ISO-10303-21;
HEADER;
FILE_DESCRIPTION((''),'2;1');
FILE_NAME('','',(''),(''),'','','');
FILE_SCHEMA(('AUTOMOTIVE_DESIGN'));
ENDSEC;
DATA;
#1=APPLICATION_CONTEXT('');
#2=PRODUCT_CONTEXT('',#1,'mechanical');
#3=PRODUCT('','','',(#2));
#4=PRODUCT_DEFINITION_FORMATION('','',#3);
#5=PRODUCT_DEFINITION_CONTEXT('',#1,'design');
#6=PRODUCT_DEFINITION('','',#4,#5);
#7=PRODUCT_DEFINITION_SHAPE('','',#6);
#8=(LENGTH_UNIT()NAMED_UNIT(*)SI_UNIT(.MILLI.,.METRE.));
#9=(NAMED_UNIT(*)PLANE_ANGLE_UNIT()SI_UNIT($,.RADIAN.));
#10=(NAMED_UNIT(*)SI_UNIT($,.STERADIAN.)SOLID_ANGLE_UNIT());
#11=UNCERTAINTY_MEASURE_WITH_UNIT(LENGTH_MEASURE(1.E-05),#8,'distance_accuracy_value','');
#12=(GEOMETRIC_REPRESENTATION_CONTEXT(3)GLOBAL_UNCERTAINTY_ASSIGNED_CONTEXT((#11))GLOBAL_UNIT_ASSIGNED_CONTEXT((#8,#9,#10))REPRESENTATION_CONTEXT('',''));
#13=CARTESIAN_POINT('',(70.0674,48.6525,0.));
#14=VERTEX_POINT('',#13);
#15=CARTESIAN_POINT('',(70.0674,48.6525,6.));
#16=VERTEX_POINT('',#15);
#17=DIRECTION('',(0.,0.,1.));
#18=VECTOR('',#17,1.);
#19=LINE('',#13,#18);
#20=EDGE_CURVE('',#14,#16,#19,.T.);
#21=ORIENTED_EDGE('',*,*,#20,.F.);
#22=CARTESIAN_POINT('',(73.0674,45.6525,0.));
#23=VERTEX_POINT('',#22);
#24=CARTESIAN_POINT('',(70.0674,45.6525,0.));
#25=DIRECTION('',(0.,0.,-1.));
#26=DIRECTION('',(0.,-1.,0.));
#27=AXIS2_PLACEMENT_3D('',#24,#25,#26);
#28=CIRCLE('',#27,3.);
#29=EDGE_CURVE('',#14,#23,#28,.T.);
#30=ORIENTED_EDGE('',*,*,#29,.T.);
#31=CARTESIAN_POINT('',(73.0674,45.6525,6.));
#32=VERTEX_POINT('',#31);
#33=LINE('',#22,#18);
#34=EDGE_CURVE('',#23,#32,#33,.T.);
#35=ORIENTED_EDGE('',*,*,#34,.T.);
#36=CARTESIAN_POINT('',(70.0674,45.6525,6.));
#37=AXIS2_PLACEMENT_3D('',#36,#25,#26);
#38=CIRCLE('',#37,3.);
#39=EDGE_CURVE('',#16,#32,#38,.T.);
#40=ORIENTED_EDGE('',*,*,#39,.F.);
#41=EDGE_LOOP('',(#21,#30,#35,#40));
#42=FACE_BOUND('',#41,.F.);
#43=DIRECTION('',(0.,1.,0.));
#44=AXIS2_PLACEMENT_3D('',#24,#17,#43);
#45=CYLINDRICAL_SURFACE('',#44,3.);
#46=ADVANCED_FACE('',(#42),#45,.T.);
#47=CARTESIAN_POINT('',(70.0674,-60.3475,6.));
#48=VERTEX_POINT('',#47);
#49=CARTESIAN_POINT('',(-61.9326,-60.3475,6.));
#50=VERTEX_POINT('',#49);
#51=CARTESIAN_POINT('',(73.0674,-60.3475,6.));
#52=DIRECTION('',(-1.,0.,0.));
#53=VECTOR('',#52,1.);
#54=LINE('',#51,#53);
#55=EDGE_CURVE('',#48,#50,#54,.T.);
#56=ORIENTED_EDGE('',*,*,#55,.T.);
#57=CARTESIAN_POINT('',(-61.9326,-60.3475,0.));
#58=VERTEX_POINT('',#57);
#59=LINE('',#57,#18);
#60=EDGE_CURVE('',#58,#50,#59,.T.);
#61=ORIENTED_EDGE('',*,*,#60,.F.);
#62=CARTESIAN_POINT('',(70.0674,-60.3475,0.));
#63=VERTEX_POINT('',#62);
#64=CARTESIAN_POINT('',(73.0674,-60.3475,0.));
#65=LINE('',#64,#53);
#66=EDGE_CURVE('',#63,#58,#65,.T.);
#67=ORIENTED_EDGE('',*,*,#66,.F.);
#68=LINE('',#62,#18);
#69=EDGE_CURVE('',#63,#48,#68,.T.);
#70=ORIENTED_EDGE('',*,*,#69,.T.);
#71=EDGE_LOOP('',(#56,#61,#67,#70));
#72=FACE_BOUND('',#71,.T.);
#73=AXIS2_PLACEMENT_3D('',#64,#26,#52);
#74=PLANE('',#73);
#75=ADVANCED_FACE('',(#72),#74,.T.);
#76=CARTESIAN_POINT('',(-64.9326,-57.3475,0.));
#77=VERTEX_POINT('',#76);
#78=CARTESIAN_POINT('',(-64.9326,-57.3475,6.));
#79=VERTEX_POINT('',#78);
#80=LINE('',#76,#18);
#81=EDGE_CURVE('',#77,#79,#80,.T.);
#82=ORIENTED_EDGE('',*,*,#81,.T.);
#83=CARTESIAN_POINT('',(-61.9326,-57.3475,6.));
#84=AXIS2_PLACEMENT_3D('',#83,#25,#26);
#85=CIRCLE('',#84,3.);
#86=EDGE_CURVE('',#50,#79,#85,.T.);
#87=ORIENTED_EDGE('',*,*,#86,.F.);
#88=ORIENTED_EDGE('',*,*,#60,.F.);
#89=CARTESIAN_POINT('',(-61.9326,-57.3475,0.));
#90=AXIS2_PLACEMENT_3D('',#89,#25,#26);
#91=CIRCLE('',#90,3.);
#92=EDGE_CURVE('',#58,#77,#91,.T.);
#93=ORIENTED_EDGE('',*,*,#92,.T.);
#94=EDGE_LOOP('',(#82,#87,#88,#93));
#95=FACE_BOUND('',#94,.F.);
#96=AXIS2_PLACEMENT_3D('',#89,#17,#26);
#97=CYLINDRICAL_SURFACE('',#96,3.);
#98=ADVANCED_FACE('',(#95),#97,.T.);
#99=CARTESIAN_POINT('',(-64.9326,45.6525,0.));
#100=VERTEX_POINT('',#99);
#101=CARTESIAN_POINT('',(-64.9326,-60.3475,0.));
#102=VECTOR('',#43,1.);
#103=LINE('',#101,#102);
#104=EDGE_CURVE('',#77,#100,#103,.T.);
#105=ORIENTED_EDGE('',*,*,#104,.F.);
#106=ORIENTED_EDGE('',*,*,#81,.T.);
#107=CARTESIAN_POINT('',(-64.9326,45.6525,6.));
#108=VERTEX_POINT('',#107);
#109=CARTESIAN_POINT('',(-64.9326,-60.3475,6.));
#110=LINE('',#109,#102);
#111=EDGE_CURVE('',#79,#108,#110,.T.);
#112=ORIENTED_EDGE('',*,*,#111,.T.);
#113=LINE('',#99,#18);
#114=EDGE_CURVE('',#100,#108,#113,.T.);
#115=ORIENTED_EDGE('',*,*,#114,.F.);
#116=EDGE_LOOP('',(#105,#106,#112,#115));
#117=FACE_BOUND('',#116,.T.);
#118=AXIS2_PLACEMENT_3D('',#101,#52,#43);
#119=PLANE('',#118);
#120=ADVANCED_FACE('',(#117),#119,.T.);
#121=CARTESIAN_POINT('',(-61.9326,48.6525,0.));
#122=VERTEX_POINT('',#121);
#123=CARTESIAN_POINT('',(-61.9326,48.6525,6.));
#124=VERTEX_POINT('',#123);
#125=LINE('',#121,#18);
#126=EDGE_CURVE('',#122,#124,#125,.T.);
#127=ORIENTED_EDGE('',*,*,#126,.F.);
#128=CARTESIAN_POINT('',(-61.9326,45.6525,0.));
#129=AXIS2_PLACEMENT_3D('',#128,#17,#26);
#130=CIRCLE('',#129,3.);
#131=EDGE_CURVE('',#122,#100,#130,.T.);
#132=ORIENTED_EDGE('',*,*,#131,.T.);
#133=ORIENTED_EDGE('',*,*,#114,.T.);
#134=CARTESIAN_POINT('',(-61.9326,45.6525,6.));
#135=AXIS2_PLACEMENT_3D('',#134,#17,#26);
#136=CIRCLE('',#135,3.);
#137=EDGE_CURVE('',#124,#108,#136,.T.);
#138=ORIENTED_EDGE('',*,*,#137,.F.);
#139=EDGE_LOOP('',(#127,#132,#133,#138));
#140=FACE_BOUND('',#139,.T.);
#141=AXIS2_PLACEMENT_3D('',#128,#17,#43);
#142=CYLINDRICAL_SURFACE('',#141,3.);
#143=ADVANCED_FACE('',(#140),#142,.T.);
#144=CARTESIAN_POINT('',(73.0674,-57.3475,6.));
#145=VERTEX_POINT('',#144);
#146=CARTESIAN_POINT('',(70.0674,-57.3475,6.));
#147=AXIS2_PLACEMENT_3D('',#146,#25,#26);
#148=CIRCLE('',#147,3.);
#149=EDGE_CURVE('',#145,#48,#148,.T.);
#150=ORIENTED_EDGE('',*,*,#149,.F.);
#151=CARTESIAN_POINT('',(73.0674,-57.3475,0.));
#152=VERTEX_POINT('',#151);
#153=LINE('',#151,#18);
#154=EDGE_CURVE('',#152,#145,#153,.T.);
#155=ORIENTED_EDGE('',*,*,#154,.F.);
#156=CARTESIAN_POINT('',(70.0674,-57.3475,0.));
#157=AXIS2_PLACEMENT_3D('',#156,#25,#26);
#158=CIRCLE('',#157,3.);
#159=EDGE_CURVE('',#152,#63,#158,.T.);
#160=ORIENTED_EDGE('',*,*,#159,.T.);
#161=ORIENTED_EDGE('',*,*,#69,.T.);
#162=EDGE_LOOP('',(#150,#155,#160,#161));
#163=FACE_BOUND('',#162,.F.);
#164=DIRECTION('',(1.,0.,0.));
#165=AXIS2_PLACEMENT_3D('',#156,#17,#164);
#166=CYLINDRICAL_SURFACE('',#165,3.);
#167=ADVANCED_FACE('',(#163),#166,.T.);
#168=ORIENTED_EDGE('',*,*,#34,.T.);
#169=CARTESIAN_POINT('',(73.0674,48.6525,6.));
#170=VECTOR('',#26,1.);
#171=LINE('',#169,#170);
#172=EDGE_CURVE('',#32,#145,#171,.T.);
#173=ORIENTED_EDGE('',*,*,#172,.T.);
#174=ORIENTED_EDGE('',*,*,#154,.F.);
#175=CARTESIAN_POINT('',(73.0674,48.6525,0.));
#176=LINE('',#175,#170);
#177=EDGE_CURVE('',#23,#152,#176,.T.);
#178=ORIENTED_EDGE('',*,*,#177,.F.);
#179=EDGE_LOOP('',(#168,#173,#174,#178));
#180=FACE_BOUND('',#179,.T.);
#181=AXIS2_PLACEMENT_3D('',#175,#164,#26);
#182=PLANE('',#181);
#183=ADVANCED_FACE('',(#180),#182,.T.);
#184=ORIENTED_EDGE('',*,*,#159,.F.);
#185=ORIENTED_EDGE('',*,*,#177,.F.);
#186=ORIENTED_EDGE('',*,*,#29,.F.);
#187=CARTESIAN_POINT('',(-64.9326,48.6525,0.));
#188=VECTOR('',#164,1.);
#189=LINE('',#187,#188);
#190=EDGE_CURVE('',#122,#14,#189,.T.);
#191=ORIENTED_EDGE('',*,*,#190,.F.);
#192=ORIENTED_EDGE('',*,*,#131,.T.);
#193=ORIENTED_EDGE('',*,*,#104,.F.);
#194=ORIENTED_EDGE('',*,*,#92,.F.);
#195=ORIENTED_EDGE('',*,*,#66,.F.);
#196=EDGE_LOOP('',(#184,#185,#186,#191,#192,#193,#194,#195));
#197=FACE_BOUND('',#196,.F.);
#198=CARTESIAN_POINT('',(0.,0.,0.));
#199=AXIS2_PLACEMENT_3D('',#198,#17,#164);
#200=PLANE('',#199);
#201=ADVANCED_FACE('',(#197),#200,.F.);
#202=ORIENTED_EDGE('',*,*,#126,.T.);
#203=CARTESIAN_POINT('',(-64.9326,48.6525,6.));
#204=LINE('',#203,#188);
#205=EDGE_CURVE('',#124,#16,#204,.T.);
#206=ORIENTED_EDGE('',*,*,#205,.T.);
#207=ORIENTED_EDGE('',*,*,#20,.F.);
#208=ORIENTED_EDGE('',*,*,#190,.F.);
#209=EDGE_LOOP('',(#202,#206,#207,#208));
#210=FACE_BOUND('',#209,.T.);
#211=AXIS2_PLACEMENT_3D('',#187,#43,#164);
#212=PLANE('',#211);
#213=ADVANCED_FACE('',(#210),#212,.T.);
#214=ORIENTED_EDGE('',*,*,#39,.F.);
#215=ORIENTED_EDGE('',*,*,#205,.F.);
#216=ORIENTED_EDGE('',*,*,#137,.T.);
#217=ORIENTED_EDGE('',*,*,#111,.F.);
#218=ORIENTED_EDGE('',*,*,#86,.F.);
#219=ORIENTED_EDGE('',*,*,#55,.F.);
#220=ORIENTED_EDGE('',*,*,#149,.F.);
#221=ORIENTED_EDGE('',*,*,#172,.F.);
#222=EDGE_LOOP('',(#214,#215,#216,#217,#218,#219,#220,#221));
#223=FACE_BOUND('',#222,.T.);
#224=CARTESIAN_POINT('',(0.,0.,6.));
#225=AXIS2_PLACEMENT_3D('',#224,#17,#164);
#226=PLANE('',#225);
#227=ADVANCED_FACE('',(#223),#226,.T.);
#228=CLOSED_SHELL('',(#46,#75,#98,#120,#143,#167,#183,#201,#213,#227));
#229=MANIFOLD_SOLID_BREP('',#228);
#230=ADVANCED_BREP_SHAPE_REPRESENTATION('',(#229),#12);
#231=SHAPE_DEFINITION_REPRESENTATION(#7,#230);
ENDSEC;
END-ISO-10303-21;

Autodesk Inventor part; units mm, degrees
ref_plane "YZ Plane" through (0, 0, 0) normal (1, 0, 0) x (0, 1, 0)
ref_plane "XZ Plane" through (0, 0, 0) normal (0, 1, 0) x (-1, 0, 0)
ref_plane "XY Plane" through (0, 0, 0) normal (0, 0, 1) x (1, 0, 0)
sketch "Sketch1" plane through (0, 0, 0) normal (0, 0, 1) x (1, 0, 0)
  line L0 (-64.9326, 48.6525) -> (73.0674, 48.6525)
  line L1 (73.0674, 48.6525) -> (73.0674, -60.3475)
  line L2 (73.0674, -60.3475) -> (-64.9326, -60.3475)
  line L3 (-64.9326, -60.3475) -> (-64.9326, 48.6525)
  point P0 (0, 0)
  dimension "d0" = 138
  dimension "d1" = 109
extrude "Extrusion1" add sketch "Sketch1" along normal blind 6
fillet "Fillet1" radius 3 4 edges at (73.0674, 48.6525, 3) (-64.9326, 48.6525, 3) (73.0674, -60.3475, 3) (-64.9326, -60.3475, 3)
properties part number "3DP_PLA_Front_filter_mesh"
